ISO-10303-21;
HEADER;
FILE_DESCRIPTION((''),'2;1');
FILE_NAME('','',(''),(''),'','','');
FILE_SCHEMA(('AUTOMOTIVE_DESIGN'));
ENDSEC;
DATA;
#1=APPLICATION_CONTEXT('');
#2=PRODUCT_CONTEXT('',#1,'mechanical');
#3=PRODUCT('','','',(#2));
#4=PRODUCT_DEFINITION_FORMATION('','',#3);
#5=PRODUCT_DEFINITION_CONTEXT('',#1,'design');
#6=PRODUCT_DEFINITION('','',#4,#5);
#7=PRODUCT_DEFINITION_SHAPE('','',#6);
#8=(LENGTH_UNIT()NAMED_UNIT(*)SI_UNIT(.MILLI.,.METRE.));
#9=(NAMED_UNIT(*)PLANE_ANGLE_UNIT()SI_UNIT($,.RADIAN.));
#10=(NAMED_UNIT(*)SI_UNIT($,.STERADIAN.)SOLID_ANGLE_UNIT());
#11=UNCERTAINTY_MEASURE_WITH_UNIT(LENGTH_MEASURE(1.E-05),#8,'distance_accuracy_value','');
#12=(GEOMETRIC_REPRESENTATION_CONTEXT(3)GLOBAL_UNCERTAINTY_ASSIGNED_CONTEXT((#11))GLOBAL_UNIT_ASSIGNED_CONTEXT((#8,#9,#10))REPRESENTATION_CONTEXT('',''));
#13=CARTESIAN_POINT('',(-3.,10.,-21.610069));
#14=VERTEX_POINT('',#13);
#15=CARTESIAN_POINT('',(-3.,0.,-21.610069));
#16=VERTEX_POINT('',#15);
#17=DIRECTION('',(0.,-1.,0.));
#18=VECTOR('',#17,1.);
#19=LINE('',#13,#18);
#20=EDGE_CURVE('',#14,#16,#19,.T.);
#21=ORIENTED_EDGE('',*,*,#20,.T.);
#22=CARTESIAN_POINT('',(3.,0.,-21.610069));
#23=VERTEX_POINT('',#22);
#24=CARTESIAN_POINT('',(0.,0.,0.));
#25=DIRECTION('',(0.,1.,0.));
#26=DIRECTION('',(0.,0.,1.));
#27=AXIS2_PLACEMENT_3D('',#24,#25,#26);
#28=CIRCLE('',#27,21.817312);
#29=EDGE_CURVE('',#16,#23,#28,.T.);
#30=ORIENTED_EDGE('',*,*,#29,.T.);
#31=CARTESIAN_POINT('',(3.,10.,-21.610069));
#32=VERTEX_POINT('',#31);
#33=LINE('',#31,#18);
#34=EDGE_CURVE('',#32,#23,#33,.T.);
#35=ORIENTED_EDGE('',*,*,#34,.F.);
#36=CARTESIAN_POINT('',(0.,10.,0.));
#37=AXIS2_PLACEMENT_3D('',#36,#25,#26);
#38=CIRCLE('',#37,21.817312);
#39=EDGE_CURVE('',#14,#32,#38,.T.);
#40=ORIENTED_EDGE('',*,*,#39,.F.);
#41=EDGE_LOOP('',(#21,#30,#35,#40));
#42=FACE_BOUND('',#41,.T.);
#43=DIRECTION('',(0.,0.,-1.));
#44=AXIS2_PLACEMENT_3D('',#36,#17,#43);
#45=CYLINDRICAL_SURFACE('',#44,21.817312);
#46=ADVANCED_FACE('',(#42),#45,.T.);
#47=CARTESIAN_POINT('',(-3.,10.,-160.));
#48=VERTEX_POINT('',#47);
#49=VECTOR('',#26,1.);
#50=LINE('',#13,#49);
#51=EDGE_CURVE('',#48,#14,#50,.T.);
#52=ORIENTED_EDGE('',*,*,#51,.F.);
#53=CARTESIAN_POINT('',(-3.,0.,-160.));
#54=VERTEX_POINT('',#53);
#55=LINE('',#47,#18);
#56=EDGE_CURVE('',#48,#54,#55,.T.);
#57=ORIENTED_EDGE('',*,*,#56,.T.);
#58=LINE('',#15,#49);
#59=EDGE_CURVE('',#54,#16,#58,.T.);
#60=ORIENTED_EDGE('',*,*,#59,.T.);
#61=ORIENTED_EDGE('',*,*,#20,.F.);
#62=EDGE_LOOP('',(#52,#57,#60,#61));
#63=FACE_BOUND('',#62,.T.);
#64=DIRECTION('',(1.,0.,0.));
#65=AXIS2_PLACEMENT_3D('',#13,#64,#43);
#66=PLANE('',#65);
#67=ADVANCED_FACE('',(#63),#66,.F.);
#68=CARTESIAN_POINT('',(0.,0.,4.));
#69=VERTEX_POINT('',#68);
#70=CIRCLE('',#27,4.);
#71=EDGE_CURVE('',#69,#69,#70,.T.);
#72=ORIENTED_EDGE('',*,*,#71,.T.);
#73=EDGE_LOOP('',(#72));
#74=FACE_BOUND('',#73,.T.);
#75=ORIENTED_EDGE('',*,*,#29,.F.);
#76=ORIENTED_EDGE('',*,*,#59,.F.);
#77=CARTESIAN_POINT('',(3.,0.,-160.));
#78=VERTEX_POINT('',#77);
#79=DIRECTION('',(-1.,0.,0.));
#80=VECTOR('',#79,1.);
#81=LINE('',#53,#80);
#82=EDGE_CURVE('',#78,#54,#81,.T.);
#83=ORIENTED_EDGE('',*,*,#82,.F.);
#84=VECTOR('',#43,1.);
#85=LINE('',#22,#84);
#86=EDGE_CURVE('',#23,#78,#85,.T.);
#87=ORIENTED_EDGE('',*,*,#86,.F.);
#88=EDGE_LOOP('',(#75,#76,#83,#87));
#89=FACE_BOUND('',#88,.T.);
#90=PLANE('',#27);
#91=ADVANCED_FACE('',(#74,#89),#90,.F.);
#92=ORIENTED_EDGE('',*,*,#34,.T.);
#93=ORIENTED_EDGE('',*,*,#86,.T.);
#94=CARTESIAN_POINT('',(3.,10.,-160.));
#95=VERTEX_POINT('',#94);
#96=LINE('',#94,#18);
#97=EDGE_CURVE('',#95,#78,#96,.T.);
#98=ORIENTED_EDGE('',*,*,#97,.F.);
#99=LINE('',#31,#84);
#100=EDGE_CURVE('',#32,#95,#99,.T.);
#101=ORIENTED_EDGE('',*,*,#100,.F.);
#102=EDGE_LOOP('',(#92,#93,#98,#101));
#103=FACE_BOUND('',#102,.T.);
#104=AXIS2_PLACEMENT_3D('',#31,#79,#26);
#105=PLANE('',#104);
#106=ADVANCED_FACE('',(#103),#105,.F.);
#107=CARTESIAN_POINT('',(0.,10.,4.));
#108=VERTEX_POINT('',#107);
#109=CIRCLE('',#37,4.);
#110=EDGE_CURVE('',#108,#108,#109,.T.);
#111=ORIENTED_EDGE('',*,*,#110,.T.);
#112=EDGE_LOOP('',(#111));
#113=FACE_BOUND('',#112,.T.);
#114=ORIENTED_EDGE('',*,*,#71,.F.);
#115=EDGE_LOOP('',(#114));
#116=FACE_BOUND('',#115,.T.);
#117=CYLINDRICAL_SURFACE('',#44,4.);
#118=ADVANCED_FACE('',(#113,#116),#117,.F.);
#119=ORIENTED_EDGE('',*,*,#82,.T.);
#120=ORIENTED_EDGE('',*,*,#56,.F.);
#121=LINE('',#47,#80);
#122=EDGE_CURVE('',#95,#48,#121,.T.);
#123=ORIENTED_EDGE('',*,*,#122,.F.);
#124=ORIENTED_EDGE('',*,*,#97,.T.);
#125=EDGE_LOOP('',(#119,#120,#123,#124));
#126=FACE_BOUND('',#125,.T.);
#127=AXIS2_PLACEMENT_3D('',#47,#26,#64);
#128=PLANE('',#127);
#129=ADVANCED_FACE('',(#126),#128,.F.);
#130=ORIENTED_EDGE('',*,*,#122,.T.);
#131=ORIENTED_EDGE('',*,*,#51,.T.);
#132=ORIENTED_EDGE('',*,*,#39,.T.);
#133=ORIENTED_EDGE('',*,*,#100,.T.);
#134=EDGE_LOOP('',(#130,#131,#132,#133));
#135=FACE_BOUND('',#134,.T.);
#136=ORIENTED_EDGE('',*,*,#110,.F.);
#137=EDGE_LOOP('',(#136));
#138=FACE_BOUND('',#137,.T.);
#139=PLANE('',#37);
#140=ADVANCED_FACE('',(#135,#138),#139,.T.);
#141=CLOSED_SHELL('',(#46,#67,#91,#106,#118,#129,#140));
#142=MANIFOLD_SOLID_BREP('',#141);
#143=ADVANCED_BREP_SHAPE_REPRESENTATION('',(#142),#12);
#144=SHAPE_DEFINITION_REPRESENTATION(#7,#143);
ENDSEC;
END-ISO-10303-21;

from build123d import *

# Parameters (mm, degrees)
SKETCH1_R           = 4
BOSS_EXTRUDE1_DEPTH = 10


with BuildPart() as part:
    # Sketch1 → Boss-Extrude1 (new body)
    with BuildSketch(Plane(origin=(0, 0, 0), x_dir=(1, 0, 0), z_dir=(0, 1, 0))):
        with BuildLine():
            Line((-3, 160), (3, 160))
            Line((3, 160), (3, 21.610069048))
            ThreePointArc((3, 21.610069048), (0, -21.817311573), (-3, 21.610069048))
            Line((-3, 21.610069048), (-3, 160))
        make_face()
        with Locations(Location((0, 0, 0), (0, 0, 270))):
            Circle(SKETCH1_R, mode=Mode.SUBTRACT)
    extrude(amount=BOSS_EXTRUDE1_DEPTH)


solid = part.part
